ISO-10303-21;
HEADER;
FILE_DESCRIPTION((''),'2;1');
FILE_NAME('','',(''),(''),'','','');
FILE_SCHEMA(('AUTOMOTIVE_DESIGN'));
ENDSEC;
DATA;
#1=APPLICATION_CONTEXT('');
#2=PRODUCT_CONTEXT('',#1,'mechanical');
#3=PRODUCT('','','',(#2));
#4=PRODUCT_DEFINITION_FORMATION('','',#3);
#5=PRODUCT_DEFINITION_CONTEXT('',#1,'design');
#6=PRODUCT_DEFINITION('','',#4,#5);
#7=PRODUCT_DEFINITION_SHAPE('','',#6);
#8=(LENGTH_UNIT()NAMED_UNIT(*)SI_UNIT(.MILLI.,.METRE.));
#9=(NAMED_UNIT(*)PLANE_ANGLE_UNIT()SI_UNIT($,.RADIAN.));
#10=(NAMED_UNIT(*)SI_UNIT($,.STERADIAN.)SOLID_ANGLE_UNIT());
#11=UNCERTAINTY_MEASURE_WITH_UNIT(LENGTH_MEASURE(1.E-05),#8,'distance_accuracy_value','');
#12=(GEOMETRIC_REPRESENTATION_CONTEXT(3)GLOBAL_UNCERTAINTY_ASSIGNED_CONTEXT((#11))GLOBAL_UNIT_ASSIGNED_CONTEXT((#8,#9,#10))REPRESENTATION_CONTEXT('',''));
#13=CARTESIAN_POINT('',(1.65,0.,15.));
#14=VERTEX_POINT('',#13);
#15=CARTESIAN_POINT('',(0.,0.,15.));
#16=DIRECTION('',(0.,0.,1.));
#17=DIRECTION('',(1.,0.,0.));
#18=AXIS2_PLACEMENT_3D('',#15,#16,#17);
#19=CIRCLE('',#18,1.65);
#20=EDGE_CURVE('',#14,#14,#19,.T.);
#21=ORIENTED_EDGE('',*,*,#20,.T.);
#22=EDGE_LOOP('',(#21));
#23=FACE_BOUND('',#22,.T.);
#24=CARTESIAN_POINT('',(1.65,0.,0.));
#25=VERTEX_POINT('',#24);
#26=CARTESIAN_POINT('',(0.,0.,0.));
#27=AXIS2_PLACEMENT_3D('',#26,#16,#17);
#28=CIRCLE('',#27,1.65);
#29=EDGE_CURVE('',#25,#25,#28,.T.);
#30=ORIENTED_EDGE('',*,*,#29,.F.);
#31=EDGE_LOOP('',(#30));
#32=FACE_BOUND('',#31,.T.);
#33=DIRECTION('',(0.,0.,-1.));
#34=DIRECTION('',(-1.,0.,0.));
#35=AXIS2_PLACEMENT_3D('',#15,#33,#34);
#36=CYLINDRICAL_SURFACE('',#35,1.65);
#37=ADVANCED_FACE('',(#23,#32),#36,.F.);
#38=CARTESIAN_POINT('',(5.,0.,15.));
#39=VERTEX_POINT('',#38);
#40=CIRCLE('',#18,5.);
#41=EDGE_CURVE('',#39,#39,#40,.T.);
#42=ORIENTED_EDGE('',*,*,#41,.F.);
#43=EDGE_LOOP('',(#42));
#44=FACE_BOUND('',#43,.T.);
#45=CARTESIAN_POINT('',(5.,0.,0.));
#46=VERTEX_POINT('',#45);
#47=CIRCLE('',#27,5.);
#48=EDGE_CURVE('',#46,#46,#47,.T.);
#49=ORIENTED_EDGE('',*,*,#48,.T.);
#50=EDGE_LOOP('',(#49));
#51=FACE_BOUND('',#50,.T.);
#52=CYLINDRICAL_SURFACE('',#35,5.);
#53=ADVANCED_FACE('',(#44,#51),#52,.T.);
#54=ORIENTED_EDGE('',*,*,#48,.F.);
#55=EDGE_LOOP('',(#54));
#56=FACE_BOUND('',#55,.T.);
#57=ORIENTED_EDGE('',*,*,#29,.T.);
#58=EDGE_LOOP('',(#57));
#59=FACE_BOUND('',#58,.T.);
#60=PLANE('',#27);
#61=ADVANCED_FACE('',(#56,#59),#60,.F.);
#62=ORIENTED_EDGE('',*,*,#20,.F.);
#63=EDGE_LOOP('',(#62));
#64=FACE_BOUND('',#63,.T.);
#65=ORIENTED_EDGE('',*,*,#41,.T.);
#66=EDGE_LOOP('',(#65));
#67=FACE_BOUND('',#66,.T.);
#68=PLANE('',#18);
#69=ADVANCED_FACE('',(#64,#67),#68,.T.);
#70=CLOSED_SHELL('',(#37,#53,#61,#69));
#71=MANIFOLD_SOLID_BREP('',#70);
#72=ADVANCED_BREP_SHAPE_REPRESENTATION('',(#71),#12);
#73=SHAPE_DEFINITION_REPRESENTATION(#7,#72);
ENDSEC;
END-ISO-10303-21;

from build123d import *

# Parameters (mm, degrees)
SKETCH_1_R      = 5
SKETCH_1_R_2    = 1.65
EXTRUDE_1_DEPTH = 15


with BuildPart() as part:
    # ｽｹｯﾁ1 → ﾎﾞｽ - 押し出し1 (new body)
    with BuildSketch(Plane.XY):
        Circle(SKETCH_1_R)
        Circle(SKETCH_1_R_2, mode=Mode.SUBTRACT)
    extrude(amount=EXTRUDE_1_DEPTH)


solid = part.part
